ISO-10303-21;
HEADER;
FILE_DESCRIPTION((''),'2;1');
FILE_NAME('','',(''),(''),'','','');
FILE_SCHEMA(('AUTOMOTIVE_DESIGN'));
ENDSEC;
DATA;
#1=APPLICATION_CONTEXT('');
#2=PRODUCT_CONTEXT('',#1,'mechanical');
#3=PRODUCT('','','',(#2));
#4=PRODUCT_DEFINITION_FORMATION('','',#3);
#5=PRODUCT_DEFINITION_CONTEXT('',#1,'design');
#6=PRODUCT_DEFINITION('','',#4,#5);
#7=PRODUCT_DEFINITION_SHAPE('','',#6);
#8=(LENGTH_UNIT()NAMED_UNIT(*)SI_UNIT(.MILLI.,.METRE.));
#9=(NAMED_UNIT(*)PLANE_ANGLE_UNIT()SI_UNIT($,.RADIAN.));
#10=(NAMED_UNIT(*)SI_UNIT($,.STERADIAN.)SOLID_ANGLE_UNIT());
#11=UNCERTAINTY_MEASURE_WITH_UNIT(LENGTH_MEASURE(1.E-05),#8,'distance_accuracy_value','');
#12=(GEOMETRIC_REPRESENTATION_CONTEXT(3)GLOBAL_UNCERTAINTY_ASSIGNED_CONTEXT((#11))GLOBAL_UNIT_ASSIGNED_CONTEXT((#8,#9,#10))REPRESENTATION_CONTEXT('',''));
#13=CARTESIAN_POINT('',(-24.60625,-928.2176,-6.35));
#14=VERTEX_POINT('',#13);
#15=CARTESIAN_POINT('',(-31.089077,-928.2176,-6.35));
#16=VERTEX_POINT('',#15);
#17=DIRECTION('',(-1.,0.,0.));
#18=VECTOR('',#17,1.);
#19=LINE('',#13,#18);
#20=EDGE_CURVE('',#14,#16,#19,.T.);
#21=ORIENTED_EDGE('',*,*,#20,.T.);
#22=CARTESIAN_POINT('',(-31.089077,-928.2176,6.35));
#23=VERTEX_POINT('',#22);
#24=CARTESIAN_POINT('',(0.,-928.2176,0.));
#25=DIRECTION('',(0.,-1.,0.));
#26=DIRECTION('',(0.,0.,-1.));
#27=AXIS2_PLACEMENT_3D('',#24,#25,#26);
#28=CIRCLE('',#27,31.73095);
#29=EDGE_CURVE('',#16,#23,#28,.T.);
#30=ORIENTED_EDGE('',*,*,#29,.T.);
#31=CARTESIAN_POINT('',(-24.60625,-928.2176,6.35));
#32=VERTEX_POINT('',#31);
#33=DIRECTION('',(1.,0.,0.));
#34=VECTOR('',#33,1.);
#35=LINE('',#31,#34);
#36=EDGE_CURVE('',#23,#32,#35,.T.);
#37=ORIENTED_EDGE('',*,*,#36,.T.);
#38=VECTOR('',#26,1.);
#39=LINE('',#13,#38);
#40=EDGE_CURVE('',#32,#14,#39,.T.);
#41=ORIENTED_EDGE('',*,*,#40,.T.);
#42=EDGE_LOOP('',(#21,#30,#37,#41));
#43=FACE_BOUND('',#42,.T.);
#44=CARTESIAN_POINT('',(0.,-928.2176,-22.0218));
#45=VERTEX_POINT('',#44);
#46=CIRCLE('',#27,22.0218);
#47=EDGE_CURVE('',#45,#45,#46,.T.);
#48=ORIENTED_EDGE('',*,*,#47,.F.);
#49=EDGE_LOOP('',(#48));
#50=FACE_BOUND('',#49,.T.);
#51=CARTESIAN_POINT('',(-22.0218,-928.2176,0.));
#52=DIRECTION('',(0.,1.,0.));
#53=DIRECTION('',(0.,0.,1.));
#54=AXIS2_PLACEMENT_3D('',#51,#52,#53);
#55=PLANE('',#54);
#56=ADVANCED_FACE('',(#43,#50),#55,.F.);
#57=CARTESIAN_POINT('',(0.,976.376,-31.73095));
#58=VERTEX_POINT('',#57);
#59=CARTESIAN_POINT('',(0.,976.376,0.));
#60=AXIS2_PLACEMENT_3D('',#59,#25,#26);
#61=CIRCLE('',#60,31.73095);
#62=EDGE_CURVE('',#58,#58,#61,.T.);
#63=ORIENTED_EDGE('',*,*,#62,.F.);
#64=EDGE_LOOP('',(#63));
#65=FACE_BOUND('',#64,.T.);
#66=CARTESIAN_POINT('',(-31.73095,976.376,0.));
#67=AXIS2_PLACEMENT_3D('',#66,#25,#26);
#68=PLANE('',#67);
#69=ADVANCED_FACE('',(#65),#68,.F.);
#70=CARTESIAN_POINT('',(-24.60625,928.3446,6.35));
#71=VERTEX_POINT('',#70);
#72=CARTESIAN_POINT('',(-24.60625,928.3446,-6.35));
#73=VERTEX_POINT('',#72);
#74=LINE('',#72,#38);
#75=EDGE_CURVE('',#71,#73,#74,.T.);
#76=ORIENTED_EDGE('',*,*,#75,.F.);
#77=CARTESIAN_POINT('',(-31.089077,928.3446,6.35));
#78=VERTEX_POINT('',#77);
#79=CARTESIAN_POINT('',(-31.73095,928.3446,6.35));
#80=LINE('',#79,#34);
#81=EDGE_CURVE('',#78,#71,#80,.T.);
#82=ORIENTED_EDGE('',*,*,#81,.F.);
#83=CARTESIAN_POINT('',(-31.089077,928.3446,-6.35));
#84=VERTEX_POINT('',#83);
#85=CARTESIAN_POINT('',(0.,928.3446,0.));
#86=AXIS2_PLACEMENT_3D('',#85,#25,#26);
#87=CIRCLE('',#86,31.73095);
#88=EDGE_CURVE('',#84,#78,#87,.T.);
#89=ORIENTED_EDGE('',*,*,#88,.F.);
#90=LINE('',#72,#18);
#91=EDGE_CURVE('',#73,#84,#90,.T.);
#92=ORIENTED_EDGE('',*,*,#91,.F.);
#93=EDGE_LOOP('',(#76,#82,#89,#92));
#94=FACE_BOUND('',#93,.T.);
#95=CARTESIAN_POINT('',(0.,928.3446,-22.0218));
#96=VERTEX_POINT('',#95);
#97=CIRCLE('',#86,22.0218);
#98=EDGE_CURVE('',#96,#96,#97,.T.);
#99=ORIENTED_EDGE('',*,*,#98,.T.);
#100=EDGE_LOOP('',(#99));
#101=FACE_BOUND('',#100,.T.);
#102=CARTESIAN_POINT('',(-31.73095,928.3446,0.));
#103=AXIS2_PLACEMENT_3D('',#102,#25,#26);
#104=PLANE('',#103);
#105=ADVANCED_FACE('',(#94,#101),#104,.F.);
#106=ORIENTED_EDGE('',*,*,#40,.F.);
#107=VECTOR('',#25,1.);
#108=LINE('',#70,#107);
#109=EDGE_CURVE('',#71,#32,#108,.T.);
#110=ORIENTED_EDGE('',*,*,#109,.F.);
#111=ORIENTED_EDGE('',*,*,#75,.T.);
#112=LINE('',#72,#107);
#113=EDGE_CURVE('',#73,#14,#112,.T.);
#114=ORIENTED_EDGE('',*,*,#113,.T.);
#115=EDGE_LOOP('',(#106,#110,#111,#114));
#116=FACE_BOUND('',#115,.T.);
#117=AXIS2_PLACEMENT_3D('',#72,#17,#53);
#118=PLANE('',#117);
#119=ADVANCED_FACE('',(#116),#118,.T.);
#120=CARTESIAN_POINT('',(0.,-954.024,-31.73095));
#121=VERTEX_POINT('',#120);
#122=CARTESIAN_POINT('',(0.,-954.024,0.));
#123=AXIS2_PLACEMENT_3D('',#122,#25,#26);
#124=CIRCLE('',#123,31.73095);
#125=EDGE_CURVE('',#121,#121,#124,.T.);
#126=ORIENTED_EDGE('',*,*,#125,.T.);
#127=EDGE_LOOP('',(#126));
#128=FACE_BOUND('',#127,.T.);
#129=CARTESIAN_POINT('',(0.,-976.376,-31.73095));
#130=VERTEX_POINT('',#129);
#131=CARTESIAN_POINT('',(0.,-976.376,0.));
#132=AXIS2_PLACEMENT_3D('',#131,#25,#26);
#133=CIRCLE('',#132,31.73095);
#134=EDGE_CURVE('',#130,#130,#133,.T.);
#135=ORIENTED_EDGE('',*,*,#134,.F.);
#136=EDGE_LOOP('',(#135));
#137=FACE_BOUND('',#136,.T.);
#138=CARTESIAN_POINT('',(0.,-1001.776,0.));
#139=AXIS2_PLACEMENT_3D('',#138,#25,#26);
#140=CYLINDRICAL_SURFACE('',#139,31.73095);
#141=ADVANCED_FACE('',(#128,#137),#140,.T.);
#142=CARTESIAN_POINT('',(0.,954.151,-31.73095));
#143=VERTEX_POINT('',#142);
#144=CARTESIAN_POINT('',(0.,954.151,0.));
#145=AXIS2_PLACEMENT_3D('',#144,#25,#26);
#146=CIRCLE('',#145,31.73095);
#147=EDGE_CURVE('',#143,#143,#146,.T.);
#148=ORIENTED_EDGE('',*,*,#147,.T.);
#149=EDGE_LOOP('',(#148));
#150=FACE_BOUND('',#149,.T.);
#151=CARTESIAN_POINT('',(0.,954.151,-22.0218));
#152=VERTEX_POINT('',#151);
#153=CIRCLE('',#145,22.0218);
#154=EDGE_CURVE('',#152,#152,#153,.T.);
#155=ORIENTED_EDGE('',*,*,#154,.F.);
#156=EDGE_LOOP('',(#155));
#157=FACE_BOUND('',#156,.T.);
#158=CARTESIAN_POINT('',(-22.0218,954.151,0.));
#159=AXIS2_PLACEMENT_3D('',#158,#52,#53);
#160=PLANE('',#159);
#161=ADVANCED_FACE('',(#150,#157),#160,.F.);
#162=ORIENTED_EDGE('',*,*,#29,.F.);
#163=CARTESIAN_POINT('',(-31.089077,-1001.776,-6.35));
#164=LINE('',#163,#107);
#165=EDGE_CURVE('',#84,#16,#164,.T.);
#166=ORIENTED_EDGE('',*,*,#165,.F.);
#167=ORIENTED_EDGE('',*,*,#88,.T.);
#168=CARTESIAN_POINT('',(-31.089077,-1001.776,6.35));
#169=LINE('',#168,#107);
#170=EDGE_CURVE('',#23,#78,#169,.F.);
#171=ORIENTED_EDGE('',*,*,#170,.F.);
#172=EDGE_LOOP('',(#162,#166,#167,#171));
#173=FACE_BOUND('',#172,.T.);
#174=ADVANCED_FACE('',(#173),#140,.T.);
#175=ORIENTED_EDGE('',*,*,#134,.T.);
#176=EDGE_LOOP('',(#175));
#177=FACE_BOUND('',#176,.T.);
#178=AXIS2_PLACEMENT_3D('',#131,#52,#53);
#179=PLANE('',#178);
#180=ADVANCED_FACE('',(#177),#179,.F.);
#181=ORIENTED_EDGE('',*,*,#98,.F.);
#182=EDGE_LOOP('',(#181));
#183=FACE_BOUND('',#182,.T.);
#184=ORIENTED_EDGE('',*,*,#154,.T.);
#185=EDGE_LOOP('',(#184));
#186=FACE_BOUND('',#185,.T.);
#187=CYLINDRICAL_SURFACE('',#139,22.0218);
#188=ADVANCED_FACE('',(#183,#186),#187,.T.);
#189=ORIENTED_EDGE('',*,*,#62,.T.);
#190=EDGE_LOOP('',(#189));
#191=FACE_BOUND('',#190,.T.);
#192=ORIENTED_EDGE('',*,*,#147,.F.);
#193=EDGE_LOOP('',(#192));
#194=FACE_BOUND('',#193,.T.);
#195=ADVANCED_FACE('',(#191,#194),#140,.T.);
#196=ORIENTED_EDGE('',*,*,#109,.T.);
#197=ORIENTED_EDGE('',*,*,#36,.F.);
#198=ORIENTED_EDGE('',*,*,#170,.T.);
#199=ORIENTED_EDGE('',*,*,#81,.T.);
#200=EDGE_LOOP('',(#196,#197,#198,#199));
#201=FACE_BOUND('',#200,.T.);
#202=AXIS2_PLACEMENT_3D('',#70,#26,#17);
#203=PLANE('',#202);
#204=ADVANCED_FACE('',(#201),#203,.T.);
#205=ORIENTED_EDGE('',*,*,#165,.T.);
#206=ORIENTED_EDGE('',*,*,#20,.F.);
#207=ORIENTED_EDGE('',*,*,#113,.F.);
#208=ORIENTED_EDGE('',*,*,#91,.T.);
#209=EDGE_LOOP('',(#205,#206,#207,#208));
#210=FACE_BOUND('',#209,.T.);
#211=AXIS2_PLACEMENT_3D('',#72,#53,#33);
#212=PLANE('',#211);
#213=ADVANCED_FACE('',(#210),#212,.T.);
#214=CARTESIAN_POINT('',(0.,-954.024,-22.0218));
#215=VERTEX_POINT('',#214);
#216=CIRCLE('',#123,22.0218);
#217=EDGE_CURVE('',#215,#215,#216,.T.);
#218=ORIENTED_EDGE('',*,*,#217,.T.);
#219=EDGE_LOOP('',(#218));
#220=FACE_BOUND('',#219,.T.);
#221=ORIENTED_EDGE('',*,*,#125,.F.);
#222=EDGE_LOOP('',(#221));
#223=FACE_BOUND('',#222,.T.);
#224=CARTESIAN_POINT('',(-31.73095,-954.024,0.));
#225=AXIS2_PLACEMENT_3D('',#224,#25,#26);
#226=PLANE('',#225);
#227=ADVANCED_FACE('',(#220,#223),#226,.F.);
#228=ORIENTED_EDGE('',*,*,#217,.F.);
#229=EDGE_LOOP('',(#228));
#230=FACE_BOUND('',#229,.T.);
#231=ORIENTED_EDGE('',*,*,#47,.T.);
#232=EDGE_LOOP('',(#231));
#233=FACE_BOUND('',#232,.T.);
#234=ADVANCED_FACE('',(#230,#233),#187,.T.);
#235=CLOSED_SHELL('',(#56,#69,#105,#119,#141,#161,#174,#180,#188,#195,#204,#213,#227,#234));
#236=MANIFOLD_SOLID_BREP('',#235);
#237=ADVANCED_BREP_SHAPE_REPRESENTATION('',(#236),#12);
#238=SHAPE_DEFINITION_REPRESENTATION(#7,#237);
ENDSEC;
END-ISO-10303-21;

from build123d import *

# Parameters (mm, degrees)
CUT_EXTRUDE2_START = -928.2176
SKETCH2_W          = 63.4619
SKETCH2_H          = 12.7
CUT_EXTRUDE2_DEPTH = 1856.5622


with BuildPart() as part:
    # Sketch1 → Revolve1 (revolve)
    with BuildSketch(Plane(origin=(0, 0, 0), x_dir=(0, 1, 0), z_dir=(0, 0, 1)), mode=Mode.PRIVATE) as revolve1_sk:
        Polygon((-976.376, 0), (-976.376, 31.73095), (-954.024, 31.73095), (-954.024, 22.0218), (-928.2176, 22.0218), (-928.2176, 31.73095), (928.3446, 31.73095), (928.3446, 22.0218), (954.151, 22.0218), (954.151, 31.73095), (976.376, 31.73095), (976.376, 0), align=None)
    revolve(revolve1_sk.sketch.rotate(Axis((0, -1001.776, 0), (0, 1, 0)), 270), axis=Axis((0, -1001.776, 0), (0, 1, 0)))

    # Sketch2 → Cut-Extrude2 (cut)
    with BuildSketch(Plane(origin=(0, 0, 0), x_dir=(-1, 0, 0), z_dir=(0, 1, 0)).offset(CUT_EXTRUDE2_START)):
        with Locations((56.3372, 0)):
            Rectangle(SKETCH2_W, SKETCH2_H)
    extrude(amount=CUT_EXTRUDE2_DEPTH, mode=Mode.SUBTRACT)


solid = part.part
